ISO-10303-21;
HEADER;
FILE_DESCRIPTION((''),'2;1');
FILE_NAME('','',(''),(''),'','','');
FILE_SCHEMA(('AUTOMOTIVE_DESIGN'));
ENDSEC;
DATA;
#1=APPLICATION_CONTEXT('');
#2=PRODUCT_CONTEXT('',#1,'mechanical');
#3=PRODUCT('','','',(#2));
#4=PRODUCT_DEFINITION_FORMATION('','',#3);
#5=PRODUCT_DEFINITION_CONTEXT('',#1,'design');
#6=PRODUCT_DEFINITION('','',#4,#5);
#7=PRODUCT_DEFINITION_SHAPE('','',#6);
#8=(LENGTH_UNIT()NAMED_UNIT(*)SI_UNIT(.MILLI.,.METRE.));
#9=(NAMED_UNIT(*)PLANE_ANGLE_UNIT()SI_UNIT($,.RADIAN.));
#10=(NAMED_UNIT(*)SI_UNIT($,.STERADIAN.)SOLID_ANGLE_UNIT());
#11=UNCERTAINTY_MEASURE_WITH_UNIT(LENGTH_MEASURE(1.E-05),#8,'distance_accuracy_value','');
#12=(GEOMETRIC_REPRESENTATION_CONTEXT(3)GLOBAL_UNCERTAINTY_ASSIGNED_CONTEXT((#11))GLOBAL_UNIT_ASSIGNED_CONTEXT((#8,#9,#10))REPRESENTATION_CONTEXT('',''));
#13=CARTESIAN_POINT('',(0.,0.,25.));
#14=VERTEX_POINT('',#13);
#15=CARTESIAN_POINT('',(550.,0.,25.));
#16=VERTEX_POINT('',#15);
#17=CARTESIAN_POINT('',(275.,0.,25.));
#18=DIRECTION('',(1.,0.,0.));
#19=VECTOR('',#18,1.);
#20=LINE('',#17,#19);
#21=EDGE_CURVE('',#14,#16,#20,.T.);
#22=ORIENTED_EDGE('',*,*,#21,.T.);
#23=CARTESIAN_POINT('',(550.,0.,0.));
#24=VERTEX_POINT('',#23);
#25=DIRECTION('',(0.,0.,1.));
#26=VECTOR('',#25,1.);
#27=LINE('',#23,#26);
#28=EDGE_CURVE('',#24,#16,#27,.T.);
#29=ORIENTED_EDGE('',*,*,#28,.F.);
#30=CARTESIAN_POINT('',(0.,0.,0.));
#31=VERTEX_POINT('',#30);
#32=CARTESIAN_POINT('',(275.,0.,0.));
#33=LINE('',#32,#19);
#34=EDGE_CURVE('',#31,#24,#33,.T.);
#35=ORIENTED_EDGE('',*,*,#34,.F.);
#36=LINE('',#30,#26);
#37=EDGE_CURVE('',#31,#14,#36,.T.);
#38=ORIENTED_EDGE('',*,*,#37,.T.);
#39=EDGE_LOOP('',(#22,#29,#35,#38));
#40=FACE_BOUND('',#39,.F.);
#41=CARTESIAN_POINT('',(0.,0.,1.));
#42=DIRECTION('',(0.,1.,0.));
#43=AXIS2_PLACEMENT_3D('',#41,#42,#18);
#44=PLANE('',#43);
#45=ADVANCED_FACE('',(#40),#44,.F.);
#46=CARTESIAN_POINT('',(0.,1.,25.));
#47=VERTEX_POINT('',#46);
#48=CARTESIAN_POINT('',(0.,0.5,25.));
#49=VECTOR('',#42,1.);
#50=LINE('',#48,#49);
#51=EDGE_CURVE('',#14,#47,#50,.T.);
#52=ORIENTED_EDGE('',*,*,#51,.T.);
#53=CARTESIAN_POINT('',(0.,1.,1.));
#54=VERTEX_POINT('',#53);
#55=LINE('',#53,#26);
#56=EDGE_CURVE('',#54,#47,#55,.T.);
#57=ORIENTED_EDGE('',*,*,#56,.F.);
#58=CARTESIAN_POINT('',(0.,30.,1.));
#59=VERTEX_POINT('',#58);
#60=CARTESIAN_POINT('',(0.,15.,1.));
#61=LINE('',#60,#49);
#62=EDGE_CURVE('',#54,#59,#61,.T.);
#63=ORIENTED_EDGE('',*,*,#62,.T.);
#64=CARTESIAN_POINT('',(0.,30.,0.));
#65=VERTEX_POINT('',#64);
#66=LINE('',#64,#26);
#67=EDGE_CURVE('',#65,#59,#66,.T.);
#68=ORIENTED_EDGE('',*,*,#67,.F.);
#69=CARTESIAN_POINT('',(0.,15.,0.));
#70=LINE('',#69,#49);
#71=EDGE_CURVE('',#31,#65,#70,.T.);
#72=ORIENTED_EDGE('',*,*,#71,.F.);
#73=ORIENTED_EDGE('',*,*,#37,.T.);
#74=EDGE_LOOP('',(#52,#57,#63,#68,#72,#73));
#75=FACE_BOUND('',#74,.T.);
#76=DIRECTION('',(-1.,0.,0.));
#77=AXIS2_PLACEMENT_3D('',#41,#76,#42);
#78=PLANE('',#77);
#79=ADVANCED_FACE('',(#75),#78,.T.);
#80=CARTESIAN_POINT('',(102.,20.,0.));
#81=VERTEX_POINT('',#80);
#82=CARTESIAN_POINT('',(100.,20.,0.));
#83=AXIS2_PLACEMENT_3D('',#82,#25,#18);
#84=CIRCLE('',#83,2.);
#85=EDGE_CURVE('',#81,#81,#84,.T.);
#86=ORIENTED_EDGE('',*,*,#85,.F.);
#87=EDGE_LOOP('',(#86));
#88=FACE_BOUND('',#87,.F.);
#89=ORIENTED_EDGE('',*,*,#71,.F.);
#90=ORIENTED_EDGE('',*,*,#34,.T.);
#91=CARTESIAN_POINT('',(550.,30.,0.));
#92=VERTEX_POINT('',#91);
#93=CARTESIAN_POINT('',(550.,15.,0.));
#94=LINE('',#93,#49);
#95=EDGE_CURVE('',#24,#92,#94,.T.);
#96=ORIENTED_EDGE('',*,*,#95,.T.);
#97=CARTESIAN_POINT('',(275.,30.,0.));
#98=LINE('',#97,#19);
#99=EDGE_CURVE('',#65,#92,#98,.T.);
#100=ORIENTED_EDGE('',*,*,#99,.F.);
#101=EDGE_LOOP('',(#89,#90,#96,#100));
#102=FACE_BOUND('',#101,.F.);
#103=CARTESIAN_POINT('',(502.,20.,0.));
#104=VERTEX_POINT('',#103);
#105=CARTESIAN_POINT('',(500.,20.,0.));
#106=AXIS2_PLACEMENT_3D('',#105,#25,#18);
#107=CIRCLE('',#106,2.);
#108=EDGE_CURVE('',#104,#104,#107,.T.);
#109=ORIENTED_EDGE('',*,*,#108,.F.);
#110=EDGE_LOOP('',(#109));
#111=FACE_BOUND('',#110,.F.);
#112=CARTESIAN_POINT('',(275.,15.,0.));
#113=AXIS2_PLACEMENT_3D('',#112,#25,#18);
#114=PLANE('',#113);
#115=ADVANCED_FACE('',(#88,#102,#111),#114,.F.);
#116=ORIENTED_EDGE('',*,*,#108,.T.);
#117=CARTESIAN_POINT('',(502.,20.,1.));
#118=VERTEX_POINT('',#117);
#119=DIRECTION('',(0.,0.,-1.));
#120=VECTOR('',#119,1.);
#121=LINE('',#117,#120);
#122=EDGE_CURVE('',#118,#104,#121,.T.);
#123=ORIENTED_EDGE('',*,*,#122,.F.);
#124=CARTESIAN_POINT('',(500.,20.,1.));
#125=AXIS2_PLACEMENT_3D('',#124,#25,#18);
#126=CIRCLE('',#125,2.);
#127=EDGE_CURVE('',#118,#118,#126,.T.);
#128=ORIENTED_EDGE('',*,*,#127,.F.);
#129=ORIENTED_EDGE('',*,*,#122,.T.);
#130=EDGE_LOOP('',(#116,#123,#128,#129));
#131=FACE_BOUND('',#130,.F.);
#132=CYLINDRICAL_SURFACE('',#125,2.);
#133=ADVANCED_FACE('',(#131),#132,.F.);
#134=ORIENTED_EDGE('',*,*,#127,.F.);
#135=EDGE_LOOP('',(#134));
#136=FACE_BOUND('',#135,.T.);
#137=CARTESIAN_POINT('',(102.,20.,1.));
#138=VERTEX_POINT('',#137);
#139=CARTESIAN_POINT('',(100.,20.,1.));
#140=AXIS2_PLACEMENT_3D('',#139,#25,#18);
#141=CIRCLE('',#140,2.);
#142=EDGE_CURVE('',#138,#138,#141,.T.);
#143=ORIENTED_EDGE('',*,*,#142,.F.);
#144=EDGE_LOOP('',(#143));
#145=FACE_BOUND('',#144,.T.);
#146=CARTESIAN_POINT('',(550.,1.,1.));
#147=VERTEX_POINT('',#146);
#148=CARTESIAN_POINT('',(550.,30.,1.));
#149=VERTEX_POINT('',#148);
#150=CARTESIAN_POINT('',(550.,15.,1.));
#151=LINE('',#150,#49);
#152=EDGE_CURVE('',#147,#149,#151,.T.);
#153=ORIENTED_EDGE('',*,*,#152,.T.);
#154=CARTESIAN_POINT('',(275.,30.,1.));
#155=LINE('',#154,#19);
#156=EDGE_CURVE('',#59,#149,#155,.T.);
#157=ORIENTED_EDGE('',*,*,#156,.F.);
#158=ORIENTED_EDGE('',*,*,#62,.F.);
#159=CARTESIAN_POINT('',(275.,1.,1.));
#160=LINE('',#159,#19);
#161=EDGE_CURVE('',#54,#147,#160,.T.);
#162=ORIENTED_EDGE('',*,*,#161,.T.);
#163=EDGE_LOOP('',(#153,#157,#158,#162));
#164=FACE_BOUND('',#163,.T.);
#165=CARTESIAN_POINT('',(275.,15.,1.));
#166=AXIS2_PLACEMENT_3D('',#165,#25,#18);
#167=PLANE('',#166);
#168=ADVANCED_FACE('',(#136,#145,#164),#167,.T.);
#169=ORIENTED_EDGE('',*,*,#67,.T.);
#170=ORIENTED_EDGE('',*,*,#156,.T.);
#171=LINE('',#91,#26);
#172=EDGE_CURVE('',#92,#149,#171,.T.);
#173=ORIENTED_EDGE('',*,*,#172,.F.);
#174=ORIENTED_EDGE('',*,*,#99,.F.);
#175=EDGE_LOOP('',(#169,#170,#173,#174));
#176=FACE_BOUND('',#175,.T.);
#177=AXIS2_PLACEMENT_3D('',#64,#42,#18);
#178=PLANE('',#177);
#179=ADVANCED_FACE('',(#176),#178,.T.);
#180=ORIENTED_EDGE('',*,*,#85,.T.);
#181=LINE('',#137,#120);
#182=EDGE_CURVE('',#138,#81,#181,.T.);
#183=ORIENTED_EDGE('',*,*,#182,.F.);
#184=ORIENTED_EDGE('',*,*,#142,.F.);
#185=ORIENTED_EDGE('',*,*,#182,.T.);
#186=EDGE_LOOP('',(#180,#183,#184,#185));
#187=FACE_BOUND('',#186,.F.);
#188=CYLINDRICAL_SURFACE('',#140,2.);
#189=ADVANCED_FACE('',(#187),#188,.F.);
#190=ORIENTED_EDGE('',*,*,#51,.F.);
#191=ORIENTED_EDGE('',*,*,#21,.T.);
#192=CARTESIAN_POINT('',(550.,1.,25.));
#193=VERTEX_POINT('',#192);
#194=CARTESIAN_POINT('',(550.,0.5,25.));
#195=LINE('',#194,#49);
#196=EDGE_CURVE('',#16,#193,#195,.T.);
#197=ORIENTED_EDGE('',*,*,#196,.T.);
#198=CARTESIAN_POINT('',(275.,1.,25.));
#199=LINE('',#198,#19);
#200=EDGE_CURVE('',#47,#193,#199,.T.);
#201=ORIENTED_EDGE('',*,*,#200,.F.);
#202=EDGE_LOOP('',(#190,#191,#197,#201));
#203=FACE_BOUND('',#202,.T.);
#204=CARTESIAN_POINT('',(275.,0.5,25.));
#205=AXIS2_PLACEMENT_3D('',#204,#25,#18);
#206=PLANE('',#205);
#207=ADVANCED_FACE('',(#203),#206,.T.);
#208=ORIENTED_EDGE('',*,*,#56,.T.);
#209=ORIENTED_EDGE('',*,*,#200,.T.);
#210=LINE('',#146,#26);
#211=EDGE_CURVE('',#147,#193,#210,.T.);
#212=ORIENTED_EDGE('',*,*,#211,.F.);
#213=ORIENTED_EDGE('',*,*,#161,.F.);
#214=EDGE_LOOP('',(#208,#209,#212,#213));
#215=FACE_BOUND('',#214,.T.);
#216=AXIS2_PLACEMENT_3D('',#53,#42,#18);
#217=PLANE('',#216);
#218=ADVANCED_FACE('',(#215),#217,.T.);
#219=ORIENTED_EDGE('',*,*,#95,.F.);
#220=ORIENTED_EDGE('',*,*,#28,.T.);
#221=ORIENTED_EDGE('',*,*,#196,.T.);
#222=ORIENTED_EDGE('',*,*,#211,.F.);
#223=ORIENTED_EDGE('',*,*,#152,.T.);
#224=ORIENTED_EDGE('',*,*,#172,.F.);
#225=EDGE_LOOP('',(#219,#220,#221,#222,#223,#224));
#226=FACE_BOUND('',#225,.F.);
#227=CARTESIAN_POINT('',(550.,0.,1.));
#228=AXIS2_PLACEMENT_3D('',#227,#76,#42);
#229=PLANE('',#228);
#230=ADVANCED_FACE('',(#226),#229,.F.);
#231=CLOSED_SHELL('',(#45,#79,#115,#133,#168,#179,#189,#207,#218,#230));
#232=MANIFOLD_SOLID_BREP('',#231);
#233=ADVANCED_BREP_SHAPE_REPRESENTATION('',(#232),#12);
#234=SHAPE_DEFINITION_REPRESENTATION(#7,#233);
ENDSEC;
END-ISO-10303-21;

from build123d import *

# Parameters (mm, degrees)
F0_W     = 550
F0_H     = 30
F1_DEPTH = 1
F2_W     = 550
F2_H     = 1
F3_DEPTH = 24
F4_R     = 2
F5_DEPTH = 1.001


with BuildPart() as f1:
    # F0 (on Top) → F1 (new body)
    with BuildSketch(Plane.XY):
        with Locations((275, 15)):
            Rectangle(F0_W, F0_H)
    extrude(amount=F1_DEPTH)

    # F2 (on face) → F3 (join)
    with BuildSketch(Plane.XY.offset(1)):
        with Locations((275, 0.5)):
            Rectangle(F2_W, F2_H)
    extrude(amount=F3_DEPTH)

    # F4 (on face) → F5 (cut, through all)
    with BuildSketch(Plane.XY.offset(1)):
        with Locations((100, 20)):
            Circle(F4_R)
        with Locations((500, 20)):
            Circle(F4_R)
    extrude(amount=-F5_DEPTH, mode=Mode.SUBTRACT)


solid = f1.part
